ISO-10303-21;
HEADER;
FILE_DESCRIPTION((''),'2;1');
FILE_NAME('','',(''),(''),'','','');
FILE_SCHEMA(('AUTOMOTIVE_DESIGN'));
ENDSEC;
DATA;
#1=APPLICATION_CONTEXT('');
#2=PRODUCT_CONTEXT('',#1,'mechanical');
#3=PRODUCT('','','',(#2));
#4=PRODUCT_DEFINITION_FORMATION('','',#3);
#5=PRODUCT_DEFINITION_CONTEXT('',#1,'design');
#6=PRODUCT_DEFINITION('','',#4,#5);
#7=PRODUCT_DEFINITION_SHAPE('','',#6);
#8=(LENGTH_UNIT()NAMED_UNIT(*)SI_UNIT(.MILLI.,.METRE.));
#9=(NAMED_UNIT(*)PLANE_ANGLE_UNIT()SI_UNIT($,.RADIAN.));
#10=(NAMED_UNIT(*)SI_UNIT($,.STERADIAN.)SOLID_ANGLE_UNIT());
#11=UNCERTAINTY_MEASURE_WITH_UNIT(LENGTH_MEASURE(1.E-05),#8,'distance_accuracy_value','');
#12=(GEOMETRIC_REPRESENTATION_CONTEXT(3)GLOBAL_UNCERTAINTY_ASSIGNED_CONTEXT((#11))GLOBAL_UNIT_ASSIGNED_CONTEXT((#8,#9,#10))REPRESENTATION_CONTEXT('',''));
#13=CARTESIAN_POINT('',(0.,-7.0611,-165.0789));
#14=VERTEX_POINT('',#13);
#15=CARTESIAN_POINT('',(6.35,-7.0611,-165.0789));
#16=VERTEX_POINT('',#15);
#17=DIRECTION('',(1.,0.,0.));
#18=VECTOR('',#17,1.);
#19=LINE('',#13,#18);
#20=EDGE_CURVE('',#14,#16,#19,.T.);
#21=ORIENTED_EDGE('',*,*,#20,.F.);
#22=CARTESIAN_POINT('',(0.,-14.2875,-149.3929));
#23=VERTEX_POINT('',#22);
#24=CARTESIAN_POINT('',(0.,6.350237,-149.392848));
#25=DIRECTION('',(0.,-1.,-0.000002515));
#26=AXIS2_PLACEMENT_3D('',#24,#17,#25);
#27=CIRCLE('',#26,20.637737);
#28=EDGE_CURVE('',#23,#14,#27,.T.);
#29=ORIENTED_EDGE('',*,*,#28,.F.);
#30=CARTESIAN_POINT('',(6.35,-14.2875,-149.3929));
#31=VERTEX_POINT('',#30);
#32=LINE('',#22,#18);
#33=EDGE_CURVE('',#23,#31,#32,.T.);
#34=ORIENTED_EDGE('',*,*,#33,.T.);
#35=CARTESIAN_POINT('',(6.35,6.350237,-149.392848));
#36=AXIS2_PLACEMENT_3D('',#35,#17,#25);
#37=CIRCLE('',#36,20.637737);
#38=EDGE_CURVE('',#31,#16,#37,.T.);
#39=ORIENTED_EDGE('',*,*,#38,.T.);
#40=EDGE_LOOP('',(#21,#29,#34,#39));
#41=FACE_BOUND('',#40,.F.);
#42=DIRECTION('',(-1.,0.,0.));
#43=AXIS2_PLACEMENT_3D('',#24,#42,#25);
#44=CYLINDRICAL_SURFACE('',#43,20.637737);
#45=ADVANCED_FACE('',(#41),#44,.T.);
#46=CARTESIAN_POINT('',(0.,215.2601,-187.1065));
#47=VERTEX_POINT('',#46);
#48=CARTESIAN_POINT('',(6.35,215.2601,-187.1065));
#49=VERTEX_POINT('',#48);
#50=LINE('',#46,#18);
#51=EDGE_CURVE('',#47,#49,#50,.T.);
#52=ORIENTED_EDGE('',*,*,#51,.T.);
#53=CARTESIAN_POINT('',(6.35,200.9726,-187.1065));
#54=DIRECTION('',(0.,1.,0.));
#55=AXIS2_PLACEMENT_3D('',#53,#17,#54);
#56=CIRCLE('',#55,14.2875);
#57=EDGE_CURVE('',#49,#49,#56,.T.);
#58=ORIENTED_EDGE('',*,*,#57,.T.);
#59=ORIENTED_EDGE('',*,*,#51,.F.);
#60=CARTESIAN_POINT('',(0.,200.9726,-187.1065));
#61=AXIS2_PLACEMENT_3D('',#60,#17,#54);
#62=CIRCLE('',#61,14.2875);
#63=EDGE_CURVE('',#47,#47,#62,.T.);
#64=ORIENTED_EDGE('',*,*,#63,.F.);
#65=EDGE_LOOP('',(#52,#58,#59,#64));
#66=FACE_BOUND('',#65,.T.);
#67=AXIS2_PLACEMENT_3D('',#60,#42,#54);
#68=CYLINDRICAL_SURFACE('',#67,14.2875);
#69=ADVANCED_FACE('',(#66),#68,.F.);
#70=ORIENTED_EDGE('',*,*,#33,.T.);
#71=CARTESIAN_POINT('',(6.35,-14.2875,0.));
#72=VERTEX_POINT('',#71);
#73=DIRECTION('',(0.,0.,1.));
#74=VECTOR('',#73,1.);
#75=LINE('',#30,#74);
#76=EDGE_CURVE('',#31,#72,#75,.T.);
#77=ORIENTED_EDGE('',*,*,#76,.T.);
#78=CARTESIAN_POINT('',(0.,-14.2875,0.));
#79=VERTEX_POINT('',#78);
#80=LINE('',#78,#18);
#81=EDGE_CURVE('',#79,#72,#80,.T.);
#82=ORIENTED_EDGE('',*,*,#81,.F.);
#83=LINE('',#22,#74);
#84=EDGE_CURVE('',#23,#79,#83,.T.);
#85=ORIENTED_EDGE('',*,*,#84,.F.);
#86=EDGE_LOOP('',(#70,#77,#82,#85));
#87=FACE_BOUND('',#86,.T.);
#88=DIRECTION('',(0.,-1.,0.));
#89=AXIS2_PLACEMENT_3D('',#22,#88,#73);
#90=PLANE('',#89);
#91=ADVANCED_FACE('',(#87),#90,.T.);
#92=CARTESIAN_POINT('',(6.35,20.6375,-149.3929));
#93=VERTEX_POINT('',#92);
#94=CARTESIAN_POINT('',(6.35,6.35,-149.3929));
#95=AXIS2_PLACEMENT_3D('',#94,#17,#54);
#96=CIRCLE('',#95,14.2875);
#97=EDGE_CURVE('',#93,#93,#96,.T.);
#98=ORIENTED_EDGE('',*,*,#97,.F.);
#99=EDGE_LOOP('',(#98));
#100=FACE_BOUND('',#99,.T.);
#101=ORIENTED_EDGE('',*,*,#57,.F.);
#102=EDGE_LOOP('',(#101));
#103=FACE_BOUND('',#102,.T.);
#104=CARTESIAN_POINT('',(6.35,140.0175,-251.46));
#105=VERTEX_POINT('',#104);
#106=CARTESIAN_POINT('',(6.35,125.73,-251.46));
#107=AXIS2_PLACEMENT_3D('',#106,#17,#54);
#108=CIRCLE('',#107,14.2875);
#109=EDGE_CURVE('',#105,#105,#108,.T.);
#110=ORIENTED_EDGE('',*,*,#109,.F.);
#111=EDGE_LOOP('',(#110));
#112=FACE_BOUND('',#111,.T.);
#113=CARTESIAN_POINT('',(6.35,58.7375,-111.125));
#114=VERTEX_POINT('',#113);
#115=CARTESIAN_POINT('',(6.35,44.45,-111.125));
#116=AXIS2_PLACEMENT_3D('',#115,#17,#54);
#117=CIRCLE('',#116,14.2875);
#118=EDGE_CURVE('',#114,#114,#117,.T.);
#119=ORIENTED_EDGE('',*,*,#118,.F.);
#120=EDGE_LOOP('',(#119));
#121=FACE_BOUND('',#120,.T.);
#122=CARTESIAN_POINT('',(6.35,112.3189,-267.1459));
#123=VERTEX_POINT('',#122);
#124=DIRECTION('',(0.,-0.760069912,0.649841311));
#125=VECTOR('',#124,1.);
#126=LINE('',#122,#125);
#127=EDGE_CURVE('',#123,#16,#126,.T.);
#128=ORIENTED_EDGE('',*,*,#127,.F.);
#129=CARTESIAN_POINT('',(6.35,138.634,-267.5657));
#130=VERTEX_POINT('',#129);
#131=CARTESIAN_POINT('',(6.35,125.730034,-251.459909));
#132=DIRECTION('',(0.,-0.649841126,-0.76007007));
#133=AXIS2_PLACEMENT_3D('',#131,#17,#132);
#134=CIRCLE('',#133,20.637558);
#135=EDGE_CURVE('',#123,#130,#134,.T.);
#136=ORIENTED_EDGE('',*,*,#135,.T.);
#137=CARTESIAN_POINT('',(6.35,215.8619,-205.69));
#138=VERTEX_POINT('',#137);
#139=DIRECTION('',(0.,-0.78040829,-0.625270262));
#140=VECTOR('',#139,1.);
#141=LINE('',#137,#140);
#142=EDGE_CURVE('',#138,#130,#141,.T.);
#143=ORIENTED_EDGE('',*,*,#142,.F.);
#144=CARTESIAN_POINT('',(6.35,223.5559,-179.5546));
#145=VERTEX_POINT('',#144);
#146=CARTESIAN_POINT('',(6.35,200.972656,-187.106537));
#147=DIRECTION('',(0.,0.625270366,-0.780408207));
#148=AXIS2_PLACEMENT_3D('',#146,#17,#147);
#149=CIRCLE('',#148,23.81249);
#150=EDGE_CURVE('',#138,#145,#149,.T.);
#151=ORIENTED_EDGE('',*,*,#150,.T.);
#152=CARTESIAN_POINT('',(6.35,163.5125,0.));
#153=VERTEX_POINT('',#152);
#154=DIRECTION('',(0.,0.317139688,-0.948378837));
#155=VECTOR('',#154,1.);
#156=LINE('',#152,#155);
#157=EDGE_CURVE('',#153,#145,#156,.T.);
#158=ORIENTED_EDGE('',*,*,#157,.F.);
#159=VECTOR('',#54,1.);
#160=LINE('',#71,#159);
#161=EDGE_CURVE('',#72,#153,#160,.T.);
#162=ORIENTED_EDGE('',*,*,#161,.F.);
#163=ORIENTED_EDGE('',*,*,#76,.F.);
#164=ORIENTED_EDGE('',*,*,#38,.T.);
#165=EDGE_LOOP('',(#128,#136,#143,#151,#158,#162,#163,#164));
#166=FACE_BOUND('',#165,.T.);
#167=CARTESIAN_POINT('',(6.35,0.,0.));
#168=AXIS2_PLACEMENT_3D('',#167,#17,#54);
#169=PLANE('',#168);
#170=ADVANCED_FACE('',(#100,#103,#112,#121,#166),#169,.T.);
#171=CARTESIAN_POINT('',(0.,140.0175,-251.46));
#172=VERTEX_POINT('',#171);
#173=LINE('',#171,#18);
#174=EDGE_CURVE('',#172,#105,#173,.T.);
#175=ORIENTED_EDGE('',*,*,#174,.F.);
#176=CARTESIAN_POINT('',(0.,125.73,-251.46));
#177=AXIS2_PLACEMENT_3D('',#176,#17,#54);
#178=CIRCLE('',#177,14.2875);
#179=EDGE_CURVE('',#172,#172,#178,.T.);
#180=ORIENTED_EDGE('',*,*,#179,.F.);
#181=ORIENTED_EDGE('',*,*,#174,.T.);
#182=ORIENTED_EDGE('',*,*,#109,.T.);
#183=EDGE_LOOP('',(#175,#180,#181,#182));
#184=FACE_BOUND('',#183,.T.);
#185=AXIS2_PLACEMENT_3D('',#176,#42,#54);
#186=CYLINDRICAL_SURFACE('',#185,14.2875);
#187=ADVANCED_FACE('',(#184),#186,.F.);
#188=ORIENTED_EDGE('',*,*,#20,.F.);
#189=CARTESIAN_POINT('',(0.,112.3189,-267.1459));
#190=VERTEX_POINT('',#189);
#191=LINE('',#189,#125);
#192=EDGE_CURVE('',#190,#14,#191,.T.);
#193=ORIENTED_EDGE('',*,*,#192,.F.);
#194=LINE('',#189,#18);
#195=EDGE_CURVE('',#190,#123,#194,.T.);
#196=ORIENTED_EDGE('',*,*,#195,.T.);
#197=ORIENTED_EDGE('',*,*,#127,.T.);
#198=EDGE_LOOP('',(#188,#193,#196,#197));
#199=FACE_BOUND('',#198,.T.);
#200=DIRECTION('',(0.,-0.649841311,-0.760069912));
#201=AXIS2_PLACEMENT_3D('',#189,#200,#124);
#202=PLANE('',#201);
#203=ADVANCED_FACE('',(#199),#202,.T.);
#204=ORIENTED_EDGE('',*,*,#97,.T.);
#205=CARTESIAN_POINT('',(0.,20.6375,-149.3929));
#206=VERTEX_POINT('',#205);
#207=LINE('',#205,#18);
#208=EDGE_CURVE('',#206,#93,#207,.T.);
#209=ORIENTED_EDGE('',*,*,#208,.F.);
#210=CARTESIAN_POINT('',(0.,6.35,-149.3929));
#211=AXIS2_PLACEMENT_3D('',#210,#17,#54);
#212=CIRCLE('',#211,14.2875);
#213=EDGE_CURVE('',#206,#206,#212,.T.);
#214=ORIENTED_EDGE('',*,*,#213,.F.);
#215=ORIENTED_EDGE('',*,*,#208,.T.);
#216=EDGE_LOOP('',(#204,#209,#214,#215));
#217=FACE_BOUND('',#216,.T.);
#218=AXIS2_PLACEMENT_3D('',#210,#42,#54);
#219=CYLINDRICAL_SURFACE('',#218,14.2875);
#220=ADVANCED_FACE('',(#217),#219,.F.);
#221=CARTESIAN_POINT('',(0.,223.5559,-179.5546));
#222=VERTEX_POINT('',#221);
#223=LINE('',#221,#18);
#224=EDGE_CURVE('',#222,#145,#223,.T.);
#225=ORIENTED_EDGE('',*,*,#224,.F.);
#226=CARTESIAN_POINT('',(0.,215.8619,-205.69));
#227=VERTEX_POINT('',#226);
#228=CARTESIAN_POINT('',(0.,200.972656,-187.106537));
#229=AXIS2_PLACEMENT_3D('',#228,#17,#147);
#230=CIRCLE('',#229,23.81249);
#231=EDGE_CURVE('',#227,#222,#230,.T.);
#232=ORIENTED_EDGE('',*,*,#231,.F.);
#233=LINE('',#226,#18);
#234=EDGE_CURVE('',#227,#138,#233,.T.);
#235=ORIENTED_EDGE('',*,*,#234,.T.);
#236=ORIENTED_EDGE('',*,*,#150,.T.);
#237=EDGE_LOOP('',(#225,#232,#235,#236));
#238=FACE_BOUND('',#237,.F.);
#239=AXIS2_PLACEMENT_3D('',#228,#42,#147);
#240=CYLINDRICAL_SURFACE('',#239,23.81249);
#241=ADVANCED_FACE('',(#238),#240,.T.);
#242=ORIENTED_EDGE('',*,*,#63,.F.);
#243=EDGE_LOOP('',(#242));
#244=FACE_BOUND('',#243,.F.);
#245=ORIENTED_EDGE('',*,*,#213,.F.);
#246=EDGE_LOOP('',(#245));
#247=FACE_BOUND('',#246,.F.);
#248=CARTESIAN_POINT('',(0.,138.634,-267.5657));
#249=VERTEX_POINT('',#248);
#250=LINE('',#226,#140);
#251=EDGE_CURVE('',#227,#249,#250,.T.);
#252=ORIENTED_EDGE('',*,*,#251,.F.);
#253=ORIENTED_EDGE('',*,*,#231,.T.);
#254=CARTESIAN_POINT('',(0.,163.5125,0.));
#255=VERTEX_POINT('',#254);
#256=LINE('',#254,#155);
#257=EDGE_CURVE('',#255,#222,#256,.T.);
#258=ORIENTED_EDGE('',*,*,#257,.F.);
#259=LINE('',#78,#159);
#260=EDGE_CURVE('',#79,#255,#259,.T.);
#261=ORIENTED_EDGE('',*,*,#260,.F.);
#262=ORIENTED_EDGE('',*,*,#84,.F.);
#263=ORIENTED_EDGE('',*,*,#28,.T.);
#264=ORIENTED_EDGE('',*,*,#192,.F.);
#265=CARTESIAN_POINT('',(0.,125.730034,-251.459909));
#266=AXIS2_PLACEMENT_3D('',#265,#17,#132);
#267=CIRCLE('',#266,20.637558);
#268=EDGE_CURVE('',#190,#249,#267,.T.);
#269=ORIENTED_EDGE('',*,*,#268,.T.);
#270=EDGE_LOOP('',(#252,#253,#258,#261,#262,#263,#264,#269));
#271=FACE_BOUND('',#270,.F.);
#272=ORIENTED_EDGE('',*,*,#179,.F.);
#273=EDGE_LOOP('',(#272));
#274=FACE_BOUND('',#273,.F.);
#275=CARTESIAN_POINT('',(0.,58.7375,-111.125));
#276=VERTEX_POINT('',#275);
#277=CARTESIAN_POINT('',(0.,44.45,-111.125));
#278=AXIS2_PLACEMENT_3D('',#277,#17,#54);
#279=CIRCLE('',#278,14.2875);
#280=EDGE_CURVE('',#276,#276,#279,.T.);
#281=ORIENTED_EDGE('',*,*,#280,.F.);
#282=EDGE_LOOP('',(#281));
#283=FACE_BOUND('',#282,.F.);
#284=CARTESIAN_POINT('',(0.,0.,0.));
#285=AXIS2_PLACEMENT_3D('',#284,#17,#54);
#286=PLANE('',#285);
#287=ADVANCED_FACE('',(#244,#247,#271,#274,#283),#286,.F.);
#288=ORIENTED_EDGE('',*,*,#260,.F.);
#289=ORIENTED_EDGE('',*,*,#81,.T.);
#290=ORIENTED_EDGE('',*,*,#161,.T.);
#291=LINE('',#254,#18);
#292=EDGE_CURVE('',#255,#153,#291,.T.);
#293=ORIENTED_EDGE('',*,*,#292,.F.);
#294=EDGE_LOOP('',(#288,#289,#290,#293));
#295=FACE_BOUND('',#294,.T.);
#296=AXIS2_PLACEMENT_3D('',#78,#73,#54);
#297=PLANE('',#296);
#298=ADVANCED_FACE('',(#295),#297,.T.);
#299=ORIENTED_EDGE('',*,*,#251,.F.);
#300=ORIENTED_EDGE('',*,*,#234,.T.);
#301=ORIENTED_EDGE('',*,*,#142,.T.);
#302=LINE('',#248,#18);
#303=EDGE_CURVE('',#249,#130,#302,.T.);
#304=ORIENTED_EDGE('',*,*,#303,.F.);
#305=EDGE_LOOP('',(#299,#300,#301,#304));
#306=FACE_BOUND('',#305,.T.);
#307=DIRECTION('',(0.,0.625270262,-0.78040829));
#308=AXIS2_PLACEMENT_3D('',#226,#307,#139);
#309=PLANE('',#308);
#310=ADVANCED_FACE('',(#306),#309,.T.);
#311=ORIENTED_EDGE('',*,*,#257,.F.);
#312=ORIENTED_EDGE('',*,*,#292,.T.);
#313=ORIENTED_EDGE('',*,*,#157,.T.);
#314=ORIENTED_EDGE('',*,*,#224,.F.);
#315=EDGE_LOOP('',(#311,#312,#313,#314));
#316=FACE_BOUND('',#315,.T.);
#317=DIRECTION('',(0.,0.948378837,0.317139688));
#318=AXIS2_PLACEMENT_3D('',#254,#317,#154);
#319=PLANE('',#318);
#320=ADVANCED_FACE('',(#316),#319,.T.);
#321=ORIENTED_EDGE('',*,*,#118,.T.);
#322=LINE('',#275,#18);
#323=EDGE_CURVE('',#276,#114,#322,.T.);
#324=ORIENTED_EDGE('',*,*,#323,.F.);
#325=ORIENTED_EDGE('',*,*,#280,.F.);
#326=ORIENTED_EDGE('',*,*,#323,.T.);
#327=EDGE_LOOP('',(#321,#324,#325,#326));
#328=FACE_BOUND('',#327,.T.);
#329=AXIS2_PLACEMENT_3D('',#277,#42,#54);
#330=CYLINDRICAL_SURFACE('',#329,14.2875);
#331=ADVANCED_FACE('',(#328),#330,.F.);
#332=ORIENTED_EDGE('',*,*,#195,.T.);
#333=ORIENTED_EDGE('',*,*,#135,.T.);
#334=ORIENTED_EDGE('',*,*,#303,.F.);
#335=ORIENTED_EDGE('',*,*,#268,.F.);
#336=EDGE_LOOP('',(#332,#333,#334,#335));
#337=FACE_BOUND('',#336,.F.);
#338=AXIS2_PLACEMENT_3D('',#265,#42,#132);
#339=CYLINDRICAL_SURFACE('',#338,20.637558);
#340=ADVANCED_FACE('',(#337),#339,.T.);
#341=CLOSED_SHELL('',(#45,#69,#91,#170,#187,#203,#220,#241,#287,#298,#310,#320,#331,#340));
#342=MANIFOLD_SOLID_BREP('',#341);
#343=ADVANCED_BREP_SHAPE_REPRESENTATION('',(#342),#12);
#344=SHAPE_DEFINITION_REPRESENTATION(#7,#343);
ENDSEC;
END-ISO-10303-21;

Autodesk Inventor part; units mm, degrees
ref_plane "YZ Plane" through (0, 0, 0) normal (1, 0, 0) x (0, 1, 0)
ref_plane "XZ Plane" through (0, 0, 0) normal (0, 1, 0) x (-1, 0, 0)
ref_plane "XY Plane" through (0, 0, 0) normal (0, 0, 1) x (1, 0, 0)
sketch "Sketch1" plane through (0, 0, 0) normal (1, 0, 0) x (0, 1, 0)
  line L0 (0, 0) -> (50.8, 0) construction
  line L1 (50.8, 0) -> (50.8, 406.4) construction
  line L2 (50.8, 406.4) -> (0, 406.4) construction
  line L3 (0, 406.4) -> (0, 0) construction
  line L4 (-19.05, 406.4) -> (-19.05, 0) construction
  line L5 (127, 0) -> (-19.05, 0) construction
  line L6 (-19.05, 0) -> (-19.05, -76.2) construction
  line L7 (-19.05, -76.2) -> (127, -76.2) construction
  line L8 (127, -76.2) -> (127, 0) construction
  line L9 (7.9375, 127) -> (42.8625, 127) construction
  arc A0 (88.9, -76.2) -> (127, -38.1) centre (88.9, -38.1) ccw construction
  point P0 (25.4, 114.3)
  point P1 (25.4, 127)
  point P2 (25.4, 0)
  dimension "d0" = 50.8
  dimension "d1" = 406.4
  dimension "d2" = 19.05
  dimension "d3" = 146.05
  dimension "d4" = 76.2
  dimension "d5" = 34.925
  dimension "d6" = 114.3
  dimension "d7" = 12.7
sketch "Sketch2" plane through (0, 0, 0) normal (1, 0, 0) x (0, 1, 0)
  line L0 (0, 0) -> (50.8, 0) construction
  line L1 (50.8, 0) -> (50.8, 406.4) construction
  line L2 (50.8, 406.4) -> (0, 406.4) construction
  line L3 (0, 406.4) -> (0, 0) construction
  line L4 (-19.05, 406.4) -> (-19.05, 0) construction
  line L5 (-19.05, 0) -> (-19.05, -76.2) construction
  line L6 (7.9375, 127) -> (42.8625, 127) construction
  line L7 (127, 0) -> (-19.05, 0) construction
  line L8 (-19.05, -76.2) -> (127, -76.2) construction
  line L9 (127, -76.2) -> (127, 0) construction
  circle A0 centre (6.35, -149.3929) radius 17.4625 construction
  circle A1 centre (44.45, -111.125) radius 25.4 construction
  circle A2 centre (158.75, 86.4632) radius 57.15 construction
  circle A3 centre (125.73, -251.46) radius 38.1 construction
  circle A4 centre (38.2016, -220.3603) radius 57.15 construction
  circle A5 centre (44.45, -111.125) radius 19.05 construction
  circle A6 centre (200.9726, -187.1065) radius 38.1 construction
  circle A7 centre (200.9726, -187.1065) radius 31.75 construction
  circle A8 centre (125.73, -251.46) radius 31.75 construction
  circle A9 centre (78.1338, -179.4759) radius 57.15 construction
  arc A10 (88.9, -76.2) -> (127, -38.1) centre (88.9, -38.1) ccw construction
  circle A11 centre (200.9726, -187.1065) radius 14.2875
  circle A12 centre (125.73, -251.46) radius 14.2875
  circle A13 centre (6.35, -149.3929) radius 14.2875
  circle A14 centre (44.45, -111.125) radius 14.2875
  circle A15 centre (200.9726, -187.1065) radius 23.8125 construction
  circle A16 centre (125.73, -251.46) radius 20.6375 construction
  circle A17 centre (6.35, -149.3929) radius 20.6375 construction
  line L10 (215.8619, -205.69) -> (138.634, -267.5657)
  line L11 (112.3189, -267.1459) -> (-7.0611, -165.0789)
  line L12 (-14.2875, -149.3929) -> (-14.2875, 0)
  line L13 (-14.2875, 0) -> (163.5125, 0)
  line L14 (163.5125, 0) -> (223.5559, -179.5546)
  arc A18 (112.3189, -267.1459) -> (138.634, -267.5657) centre (125.73, -251.46) ccw
  arc A19 (-14.2875, -149.3929) -> (-7.0611, -165.0789) centre (6.35, -149.3929) ccw
  arc A20 (215.8619, -205.69) -> (223.5559, -179.5546) centre (200.9726, -187.1065) ccw
  point P0 (25.4, 127)
  point P1 (25.4, 0)
  point P2 (25.4, 114.3)
  dimension "d16" = 114.3
  dimension "d8" = 34.925
  dimension "d9" = 25.4
  dimension "d10" = 50.8
  dimension "d11" = 34.925
  dimension "d12" = 54.0004
  dimension "d13" = 63.5
  dimension "d14" = 114.3
  dimension "d15" = 76.2
  dimension "d17" = 6.35
  dimension "d18" = 76.2
  dimension "d19" = 6.35
  dimension "d20" = 6.35
  dimension "d21" = 114.3
  dimension "d22" = 99.0092
  dimension "d23" = 144.78
  dimension "d24" = 28.575
  dimension "d27" = 9.525
  dimension "d28" = 6.35
  dimension "d29" = 6.35
  dimension "d33" = 175.26
  dimension "d34" = 173.99
  dimension "d35" = 177.8
extrude "Extrusion1" add sketch "Sketch2" along normal blind 6.35
properties part number "GI2 -001" material "Aluminum 6061"
